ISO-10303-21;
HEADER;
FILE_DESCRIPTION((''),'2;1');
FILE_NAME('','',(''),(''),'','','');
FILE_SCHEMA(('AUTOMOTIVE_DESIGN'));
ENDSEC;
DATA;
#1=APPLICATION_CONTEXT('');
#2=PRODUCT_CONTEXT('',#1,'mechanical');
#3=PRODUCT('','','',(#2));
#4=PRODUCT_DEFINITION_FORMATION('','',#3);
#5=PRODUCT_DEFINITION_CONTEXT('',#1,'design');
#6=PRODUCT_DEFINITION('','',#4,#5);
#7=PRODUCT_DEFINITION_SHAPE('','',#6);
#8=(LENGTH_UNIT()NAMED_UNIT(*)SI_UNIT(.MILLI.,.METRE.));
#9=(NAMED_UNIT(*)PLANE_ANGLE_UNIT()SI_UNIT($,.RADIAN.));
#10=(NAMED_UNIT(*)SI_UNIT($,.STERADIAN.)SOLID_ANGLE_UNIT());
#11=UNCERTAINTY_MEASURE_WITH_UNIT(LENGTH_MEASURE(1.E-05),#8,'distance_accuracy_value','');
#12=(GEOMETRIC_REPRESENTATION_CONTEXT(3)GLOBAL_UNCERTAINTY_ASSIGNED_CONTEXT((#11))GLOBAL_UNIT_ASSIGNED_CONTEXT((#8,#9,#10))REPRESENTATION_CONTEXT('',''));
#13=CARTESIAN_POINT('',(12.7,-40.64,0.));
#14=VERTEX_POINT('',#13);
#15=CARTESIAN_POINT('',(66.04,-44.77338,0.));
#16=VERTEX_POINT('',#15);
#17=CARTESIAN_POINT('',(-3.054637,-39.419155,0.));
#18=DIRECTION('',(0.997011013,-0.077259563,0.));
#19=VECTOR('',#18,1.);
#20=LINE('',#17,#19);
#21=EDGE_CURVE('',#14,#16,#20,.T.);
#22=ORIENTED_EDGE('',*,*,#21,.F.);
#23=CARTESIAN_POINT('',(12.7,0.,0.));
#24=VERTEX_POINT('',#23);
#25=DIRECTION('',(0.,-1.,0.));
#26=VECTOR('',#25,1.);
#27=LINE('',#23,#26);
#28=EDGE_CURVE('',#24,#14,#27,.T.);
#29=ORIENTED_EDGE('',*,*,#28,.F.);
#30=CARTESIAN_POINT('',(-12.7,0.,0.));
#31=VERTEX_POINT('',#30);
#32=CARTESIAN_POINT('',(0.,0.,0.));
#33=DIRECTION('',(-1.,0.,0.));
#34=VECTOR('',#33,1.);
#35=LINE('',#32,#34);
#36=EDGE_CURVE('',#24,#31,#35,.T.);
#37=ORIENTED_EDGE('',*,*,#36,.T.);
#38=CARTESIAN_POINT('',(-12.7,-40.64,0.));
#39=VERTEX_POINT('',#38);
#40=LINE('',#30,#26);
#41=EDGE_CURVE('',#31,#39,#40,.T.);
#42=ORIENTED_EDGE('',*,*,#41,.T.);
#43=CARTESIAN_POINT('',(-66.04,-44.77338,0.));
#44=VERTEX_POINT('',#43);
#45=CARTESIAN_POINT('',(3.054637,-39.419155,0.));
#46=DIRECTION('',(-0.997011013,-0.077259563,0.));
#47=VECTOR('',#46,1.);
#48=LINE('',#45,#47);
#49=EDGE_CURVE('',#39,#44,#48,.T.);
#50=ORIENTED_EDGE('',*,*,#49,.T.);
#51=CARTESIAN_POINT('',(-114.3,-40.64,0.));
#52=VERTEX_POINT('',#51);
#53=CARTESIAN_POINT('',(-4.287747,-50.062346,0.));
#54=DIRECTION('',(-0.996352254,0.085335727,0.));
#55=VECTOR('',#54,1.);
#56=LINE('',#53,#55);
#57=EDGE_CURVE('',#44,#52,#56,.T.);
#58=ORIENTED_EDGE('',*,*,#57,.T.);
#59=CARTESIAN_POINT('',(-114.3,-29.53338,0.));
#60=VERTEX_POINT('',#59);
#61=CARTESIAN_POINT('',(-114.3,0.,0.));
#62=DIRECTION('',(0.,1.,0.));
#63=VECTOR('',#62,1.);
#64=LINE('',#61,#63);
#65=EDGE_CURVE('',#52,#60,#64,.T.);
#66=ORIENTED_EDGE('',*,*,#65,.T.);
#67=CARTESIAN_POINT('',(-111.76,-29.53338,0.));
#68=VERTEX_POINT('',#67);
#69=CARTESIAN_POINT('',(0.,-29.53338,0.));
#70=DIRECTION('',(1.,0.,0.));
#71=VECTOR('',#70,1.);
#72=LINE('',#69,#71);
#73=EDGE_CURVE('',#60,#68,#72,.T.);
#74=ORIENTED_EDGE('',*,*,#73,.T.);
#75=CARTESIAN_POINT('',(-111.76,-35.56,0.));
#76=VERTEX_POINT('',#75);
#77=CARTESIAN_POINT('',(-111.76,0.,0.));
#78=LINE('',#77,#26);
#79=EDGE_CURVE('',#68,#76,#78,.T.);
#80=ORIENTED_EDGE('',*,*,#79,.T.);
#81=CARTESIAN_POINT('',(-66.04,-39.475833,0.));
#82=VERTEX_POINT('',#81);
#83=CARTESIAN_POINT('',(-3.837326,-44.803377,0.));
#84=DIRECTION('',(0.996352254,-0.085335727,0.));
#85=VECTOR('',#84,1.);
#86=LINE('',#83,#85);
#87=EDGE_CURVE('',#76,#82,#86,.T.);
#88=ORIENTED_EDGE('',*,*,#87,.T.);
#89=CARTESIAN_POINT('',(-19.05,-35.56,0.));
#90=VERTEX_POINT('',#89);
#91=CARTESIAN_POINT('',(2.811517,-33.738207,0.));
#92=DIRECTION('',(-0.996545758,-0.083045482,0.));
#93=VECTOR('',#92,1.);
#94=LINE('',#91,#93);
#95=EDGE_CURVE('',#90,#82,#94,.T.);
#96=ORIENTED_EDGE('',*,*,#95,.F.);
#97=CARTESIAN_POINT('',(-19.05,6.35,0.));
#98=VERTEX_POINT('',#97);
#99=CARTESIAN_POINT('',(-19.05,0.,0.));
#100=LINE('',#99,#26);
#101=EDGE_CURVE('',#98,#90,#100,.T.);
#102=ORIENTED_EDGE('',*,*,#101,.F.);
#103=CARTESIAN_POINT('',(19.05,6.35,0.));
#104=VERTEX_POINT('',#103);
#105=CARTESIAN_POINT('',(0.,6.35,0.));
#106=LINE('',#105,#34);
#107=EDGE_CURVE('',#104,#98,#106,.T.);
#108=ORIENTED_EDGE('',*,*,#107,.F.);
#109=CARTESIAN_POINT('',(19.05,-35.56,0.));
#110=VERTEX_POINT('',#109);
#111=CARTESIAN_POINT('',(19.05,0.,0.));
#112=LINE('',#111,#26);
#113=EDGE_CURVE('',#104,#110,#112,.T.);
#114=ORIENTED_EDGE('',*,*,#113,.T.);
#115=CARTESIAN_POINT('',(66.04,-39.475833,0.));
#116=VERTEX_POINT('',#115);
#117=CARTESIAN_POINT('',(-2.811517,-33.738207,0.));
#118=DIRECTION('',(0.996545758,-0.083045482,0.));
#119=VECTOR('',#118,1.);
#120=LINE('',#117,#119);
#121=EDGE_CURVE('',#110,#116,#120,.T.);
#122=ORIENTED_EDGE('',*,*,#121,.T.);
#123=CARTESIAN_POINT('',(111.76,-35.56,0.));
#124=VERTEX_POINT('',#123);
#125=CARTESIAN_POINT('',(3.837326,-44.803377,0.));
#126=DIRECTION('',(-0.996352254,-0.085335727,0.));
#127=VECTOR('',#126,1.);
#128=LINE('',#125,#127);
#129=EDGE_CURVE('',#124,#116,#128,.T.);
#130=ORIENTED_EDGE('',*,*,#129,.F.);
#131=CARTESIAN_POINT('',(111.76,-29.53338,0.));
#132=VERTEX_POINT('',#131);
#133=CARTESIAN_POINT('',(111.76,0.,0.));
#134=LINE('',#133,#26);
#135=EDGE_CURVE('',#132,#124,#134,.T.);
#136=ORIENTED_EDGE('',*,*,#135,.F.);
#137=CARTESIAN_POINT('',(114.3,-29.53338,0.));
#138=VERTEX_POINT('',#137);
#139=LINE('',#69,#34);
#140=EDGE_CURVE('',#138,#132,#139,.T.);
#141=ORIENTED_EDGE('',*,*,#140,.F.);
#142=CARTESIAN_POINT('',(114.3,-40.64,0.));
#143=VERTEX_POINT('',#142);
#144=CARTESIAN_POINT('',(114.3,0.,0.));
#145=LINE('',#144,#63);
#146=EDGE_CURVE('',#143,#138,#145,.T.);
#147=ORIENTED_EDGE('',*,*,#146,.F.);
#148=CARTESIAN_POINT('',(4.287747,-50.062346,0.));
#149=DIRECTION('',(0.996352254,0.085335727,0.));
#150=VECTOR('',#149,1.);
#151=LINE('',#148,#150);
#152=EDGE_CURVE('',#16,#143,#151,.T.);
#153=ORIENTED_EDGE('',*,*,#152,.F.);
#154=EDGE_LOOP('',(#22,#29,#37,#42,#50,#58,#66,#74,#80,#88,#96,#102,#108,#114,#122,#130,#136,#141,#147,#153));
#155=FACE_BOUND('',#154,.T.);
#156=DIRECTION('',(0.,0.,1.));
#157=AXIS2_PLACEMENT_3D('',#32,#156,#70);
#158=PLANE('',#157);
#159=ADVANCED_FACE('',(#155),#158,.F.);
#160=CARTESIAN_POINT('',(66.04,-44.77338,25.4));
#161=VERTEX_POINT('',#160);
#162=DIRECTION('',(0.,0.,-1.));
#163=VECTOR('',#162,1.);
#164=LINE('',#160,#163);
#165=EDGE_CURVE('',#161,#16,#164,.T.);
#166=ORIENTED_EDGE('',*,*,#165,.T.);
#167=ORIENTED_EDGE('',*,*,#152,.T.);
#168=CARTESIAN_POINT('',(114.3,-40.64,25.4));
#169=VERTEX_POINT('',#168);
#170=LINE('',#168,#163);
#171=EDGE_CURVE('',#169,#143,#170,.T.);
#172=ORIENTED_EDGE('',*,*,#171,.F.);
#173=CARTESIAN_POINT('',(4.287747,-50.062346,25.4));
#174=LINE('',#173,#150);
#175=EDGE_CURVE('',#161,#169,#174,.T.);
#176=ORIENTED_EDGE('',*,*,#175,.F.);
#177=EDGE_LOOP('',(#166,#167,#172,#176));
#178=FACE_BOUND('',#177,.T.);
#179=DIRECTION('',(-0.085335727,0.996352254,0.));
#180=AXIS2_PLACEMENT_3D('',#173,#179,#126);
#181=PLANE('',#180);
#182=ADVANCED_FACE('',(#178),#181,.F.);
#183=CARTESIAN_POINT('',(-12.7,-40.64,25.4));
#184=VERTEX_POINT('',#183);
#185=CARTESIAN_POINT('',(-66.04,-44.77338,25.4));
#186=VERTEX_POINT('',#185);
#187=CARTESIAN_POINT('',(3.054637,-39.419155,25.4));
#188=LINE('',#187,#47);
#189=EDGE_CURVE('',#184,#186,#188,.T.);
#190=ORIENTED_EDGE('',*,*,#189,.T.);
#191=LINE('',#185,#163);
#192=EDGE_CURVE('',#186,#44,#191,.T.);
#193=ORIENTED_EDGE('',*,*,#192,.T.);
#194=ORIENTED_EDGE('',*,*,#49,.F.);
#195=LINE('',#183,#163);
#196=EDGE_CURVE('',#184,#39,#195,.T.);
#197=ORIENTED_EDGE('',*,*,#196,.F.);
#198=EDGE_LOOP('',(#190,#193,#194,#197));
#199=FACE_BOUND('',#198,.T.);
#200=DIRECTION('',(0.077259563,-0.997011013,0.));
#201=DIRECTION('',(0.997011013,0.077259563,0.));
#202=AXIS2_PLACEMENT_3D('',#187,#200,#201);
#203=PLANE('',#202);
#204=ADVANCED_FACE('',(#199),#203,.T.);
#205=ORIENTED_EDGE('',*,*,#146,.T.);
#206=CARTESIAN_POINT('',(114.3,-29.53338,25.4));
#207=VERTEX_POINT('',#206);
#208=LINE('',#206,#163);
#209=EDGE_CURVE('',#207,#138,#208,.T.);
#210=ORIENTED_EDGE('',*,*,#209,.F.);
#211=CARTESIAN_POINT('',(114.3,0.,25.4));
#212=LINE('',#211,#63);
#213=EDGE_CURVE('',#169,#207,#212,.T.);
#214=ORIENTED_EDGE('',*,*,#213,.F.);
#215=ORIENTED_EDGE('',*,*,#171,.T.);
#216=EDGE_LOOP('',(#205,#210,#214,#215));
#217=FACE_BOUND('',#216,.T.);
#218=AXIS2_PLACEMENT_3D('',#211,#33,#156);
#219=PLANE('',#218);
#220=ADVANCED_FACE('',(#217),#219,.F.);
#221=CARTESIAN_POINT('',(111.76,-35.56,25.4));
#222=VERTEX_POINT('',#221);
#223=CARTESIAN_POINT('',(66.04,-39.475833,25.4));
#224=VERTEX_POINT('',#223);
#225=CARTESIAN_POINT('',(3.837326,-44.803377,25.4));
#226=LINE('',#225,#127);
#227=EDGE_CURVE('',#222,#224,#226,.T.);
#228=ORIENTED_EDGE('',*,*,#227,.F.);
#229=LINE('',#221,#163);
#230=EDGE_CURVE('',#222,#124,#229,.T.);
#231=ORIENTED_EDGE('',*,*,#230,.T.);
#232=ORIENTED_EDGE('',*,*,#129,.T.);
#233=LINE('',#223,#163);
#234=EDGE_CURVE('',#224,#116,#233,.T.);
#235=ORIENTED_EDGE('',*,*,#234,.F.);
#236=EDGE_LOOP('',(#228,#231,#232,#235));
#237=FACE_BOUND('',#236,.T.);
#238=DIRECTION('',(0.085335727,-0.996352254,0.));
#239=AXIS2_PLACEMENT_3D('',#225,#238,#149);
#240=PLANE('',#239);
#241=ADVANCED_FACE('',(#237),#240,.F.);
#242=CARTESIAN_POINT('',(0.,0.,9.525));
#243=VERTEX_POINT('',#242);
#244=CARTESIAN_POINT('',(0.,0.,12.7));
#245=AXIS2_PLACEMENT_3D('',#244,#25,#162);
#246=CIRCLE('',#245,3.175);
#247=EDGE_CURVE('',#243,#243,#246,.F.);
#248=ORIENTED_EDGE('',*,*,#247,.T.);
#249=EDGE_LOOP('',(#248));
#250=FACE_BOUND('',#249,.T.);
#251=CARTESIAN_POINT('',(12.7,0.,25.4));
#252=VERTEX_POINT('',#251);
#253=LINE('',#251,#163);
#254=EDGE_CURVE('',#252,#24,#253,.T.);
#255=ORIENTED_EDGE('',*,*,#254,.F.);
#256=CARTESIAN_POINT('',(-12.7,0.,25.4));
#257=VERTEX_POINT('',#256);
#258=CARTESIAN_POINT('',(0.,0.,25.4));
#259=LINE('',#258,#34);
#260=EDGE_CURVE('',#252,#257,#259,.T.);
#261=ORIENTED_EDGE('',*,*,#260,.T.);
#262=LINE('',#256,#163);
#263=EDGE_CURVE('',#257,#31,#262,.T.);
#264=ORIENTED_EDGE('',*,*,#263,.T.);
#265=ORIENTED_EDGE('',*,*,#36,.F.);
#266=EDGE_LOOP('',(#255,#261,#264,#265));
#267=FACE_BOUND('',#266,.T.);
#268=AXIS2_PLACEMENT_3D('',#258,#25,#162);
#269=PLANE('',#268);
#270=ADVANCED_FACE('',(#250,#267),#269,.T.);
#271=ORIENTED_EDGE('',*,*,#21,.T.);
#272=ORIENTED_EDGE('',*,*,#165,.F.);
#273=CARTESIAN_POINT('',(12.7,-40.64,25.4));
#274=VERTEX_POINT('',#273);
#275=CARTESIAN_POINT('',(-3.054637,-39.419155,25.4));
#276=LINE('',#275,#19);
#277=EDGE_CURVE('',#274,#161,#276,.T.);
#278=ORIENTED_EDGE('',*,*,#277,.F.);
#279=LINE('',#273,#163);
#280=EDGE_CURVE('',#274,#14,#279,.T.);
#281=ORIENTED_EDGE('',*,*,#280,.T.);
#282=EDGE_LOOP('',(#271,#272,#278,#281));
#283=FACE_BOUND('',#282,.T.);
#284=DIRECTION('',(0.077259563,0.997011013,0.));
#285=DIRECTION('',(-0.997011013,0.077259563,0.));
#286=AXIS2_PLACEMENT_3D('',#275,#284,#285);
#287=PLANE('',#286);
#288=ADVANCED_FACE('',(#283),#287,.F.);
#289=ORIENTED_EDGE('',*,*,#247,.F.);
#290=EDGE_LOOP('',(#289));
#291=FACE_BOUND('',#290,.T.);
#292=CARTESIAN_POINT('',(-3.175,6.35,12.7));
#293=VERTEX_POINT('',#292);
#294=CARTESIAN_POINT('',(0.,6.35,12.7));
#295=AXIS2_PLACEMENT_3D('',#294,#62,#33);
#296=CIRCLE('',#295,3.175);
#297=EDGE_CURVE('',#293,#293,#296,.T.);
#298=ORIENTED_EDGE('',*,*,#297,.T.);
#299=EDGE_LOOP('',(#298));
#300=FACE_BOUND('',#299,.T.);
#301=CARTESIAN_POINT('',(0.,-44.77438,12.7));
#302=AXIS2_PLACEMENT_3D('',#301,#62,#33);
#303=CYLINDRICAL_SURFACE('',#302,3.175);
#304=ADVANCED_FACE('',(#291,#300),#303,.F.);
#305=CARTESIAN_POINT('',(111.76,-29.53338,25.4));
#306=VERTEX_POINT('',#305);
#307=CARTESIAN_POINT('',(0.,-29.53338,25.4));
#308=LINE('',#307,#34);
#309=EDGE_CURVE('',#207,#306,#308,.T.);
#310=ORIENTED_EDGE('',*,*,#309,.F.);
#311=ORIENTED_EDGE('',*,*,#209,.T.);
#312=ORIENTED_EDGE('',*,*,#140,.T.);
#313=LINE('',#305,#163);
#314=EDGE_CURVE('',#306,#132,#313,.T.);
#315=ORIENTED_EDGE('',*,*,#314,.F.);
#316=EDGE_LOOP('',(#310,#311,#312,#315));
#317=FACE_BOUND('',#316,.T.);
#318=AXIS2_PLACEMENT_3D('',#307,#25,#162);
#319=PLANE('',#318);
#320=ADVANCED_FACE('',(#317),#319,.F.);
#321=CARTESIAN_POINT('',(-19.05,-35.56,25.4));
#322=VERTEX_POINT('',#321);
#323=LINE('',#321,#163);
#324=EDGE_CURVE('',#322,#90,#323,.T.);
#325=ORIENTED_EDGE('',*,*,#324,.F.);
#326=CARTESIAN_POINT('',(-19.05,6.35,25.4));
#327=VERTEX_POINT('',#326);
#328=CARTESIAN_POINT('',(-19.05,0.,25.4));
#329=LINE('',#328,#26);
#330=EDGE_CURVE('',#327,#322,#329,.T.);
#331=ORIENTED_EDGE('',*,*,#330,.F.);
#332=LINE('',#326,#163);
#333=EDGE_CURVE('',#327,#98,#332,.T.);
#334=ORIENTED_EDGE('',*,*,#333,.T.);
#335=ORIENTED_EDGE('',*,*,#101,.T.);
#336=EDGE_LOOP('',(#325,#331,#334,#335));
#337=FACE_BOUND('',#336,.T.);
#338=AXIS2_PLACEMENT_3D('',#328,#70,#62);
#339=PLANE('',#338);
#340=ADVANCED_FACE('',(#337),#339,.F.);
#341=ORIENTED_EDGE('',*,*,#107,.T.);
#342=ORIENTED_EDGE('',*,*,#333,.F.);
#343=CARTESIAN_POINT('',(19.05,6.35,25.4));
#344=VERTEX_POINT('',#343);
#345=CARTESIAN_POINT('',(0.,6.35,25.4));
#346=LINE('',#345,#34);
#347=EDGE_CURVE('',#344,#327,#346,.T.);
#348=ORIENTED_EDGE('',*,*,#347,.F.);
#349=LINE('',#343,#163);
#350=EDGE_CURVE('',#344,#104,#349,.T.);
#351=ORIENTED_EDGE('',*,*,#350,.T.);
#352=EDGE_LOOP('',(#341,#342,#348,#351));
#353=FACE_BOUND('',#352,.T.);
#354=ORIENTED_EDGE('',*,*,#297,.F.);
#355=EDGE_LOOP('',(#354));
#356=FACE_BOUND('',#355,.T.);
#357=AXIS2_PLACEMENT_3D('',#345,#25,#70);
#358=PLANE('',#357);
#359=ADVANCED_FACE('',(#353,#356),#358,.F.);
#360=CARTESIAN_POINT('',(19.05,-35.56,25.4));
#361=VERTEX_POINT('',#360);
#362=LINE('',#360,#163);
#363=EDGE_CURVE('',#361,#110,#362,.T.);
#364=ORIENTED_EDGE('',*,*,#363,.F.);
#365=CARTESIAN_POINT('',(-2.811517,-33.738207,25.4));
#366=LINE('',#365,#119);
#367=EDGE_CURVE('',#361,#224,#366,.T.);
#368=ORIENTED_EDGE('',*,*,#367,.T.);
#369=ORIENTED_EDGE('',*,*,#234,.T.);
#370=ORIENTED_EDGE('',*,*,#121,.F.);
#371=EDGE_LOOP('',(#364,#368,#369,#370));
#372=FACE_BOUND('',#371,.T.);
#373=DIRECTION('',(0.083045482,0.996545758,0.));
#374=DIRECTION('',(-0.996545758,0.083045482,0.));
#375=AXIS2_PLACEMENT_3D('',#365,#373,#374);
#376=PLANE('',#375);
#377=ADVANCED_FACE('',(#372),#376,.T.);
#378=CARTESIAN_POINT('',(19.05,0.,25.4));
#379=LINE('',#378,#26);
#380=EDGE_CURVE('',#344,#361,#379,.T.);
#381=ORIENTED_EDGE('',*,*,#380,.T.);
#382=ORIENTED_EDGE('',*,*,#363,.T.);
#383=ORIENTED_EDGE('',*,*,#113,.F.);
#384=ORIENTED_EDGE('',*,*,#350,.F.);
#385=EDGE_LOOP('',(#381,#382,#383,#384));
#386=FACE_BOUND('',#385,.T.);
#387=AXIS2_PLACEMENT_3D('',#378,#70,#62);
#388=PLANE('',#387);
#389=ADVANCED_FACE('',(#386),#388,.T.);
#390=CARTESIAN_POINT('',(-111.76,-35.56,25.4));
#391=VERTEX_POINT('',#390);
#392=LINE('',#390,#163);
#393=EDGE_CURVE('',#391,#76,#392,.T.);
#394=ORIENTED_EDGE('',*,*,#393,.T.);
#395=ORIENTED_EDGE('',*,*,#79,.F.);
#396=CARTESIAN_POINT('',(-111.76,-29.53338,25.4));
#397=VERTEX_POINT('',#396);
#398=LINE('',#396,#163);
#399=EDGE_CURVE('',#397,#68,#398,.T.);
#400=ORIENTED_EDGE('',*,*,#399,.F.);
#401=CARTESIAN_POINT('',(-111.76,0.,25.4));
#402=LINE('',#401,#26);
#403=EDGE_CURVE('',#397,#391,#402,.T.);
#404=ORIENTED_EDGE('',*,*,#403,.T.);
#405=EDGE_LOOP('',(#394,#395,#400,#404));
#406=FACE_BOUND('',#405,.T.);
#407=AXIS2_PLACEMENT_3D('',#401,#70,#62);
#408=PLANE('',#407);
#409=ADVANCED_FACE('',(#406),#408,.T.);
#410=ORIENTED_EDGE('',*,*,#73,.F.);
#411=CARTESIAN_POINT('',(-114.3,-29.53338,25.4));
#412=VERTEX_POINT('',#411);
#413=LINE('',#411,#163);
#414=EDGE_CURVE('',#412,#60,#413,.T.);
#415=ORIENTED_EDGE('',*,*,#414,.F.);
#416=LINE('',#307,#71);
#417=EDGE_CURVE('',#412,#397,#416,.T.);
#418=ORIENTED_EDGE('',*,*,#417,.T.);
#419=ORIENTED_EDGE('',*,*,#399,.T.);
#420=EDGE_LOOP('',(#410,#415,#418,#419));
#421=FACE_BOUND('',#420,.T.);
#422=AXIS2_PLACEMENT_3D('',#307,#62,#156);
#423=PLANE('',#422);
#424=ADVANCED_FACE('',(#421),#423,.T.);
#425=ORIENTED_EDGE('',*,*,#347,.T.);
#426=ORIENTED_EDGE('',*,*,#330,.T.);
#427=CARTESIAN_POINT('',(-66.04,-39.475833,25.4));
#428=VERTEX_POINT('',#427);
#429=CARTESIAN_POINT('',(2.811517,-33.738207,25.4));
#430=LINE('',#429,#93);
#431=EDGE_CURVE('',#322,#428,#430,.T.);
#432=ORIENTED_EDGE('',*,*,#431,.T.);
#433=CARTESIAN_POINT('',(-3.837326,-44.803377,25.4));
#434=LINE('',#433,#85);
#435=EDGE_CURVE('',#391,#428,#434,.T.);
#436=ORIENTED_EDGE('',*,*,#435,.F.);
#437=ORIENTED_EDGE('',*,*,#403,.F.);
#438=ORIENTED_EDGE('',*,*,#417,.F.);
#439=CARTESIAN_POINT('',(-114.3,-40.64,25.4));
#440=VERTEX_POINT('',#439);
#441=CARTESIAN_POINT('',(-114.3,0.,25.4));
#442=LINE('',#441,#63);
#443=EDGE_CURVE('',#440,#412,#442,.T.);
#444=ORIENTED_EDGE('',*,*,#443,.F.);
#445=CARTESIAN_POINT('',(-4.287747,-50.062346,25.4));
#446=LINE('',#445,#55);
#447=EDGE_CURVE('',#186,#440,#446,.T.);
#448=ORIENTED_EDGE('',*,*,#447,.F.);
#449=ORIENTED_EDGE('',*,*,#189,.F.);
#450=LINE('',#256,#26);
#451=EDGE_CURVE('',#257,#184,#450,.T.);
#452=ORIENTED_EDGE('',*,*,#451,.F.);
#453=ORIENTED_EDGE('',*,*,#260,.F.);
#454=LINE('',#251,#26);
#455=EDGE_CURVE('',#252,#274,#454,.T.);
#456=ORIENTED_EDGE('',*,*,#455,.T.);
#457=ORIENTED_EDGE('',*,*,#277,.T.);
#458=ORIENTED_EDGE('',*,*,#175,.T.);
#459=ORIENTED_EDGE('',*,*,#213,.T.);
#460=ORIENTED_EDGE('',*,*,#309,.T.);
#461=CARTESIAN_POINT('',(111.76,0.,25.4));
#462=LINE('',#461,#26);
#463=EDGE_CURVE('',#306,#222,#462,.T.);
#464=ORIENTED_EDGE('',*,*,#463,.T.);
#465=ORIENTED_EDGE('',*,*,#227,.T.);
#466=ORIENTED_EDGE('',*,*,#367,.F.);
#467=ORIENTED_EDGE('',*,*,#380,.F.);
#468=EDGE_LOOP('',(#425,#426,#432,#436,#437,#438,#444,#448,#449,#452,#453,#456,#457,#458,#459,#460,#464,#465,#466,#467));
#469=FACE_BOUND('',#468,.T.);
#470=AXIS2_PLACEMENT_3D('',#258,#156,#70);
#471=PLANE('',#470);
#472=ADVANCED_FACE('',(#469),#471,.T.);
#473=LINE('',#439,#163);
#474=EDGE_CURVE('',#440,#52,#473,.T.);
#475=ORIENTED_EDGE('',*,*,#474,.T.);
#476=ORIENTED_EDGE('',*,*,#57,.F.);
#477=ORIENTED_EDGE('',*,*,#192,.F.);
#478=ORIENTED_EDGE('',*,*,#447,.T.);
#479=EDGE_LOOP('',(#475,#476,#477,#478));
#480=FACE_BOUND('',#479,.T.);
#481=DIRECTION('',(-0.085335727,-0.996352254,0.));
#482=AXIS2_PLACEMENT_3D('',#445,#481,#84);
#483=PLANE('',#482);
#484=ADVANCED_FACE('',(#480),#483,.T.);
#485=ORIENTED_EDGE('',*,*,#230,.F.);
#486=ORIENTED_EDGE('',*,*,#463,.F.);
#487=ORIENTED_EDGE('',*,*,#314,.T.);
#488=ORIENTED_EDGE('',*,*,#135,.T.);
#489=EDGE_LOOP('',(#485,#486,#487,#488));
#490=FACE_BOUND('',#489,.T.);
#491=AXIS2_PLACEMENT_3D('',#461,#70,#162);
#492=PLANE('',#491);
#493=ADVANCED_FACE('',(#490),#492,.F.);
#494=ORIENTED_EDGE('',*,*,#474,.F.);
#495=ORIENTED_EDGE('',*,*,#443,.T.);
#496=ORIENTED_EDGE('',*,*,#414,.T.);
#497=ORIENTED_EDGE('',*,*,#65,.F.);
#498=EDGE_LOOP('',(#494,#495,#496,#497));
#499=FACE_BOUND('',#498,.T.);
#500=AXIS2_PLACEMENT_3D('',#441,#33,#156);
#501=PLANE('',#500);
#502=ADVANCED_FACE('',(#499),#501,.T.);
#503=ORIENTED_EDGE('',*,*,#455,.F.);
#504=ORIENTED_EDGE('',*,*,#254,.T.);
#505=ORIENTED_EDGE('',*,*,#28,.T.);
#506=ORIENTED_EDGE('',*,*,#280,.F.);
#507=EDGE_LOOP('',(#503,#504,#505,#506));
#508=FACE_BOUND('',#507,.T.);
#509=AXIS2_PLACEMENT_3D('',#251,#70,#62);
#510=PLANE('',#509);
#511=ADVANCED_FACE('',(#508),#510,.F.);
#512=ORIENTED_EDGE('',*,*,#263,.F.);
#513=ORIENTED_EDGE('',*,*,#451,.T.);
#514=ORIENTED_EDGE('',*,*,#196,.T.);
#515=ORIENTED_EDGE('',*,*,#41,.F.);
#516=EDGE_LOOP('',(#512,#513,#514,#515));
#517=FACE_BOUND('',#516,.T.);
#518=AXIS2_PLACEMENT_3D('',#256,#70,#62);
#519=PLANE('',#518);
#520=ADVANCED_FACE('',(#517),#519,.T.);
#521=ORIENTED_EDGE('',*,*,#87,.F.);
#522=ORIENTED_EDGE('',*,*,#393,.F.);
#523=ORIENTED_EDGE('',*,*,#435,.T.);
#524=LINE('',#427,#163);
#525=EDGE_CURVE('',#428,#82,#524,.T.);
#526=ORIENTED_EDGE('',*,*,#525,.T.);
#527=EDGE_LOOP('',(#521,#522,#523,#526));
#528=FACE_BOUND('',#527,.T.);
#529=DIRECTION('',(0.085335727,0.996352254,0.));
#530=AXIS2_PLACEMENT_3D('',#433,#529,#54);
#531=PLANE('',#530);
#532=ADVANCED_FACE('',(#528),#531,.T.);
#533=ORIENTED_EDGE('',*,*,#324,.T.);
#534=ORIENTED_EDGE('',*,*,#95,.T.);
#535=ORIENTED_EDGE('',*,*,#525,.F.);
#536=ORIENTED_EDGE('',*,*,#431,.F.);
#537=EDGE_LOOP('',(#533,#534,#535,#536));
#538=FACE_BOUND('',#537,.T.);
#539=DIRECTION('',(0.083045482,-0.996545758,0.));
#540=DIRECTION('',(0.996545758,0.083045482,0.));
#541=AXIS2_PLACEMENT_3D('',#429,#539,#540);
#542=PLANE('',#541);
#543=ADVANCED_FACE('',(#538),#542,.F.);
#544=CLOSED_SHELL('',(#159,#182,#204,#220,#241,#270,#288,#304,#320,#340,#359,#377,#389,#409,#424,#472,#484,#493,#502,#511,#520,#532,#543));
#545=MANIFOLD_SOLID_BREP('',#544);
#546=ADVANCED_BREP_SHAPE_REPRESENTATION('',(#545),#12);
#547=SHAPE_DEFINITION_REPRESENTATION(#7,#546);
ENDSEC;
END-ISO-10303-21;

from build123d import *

# Parameters (mm, degrees)
BOSS_EXTRUDE1_DEPTH = 25.4
CUT_EXTRUDE1_REACH  = 129.762
SKETCH3_R           = 3.175


with BuildPart() as part:
    # Sketch2 → Boss-Extrude1 (new body)
    with BuildSketch(Plane.XY):
        Polygon((0, 0), (12.7, 0), (12.7, -40.64), (66.04, -44.773379719), (114.3, -40.64), (114.3, -29.533379719), (111.76, -29.533379719), (111.76, -35.56), (66.04, -39.475833418), (19.05, -35.56), (19.05, 0), (19.05, 6.35), (0, 6.35), align=None)
        Polygon((-12.7, 0), (0, 0), (0, 6.35), (-19.05, 6.35), (-19.05, 0), (-19.05, -35.56), (-66.04, -39.475833418), (-111.76, -35.56), (-111.76, -29.533379719), (-114.3, -29.533379719), (-114.3, -40.64), (-66.04, -44.773379719), (-12.7, -40.64), align=None)
    extrude(amount=BOSS_EXTRUDE1_DEPTH)

    # Sketch3 → Cut-Extrude1 (cut, up to next)
    with BuildSketch(Plane(origin=(0, 6.35, 0), x_dir=(1, 0, 0), z_dir=(0, 1, 0)), mode=Mode.PRIVATE) as cut_extrude1_sk1:
        with Locations(Location((0, -12.7, 0), (0, 0, 180))):
            Circle(SKETCH3_R)
    cut_extrude1_tool1 = extrude(cut_extrude1_sk1.sketch, amount=-CUT_EXTRUDE1_REACH, mode=Mode.PRIVATE) & part.part
    add(cut_extrude1_tool1.solids().sort_by_distance((0, 6.35, 12.7))[0], mode=Mode.SUBTRACT)


solid = part.part
